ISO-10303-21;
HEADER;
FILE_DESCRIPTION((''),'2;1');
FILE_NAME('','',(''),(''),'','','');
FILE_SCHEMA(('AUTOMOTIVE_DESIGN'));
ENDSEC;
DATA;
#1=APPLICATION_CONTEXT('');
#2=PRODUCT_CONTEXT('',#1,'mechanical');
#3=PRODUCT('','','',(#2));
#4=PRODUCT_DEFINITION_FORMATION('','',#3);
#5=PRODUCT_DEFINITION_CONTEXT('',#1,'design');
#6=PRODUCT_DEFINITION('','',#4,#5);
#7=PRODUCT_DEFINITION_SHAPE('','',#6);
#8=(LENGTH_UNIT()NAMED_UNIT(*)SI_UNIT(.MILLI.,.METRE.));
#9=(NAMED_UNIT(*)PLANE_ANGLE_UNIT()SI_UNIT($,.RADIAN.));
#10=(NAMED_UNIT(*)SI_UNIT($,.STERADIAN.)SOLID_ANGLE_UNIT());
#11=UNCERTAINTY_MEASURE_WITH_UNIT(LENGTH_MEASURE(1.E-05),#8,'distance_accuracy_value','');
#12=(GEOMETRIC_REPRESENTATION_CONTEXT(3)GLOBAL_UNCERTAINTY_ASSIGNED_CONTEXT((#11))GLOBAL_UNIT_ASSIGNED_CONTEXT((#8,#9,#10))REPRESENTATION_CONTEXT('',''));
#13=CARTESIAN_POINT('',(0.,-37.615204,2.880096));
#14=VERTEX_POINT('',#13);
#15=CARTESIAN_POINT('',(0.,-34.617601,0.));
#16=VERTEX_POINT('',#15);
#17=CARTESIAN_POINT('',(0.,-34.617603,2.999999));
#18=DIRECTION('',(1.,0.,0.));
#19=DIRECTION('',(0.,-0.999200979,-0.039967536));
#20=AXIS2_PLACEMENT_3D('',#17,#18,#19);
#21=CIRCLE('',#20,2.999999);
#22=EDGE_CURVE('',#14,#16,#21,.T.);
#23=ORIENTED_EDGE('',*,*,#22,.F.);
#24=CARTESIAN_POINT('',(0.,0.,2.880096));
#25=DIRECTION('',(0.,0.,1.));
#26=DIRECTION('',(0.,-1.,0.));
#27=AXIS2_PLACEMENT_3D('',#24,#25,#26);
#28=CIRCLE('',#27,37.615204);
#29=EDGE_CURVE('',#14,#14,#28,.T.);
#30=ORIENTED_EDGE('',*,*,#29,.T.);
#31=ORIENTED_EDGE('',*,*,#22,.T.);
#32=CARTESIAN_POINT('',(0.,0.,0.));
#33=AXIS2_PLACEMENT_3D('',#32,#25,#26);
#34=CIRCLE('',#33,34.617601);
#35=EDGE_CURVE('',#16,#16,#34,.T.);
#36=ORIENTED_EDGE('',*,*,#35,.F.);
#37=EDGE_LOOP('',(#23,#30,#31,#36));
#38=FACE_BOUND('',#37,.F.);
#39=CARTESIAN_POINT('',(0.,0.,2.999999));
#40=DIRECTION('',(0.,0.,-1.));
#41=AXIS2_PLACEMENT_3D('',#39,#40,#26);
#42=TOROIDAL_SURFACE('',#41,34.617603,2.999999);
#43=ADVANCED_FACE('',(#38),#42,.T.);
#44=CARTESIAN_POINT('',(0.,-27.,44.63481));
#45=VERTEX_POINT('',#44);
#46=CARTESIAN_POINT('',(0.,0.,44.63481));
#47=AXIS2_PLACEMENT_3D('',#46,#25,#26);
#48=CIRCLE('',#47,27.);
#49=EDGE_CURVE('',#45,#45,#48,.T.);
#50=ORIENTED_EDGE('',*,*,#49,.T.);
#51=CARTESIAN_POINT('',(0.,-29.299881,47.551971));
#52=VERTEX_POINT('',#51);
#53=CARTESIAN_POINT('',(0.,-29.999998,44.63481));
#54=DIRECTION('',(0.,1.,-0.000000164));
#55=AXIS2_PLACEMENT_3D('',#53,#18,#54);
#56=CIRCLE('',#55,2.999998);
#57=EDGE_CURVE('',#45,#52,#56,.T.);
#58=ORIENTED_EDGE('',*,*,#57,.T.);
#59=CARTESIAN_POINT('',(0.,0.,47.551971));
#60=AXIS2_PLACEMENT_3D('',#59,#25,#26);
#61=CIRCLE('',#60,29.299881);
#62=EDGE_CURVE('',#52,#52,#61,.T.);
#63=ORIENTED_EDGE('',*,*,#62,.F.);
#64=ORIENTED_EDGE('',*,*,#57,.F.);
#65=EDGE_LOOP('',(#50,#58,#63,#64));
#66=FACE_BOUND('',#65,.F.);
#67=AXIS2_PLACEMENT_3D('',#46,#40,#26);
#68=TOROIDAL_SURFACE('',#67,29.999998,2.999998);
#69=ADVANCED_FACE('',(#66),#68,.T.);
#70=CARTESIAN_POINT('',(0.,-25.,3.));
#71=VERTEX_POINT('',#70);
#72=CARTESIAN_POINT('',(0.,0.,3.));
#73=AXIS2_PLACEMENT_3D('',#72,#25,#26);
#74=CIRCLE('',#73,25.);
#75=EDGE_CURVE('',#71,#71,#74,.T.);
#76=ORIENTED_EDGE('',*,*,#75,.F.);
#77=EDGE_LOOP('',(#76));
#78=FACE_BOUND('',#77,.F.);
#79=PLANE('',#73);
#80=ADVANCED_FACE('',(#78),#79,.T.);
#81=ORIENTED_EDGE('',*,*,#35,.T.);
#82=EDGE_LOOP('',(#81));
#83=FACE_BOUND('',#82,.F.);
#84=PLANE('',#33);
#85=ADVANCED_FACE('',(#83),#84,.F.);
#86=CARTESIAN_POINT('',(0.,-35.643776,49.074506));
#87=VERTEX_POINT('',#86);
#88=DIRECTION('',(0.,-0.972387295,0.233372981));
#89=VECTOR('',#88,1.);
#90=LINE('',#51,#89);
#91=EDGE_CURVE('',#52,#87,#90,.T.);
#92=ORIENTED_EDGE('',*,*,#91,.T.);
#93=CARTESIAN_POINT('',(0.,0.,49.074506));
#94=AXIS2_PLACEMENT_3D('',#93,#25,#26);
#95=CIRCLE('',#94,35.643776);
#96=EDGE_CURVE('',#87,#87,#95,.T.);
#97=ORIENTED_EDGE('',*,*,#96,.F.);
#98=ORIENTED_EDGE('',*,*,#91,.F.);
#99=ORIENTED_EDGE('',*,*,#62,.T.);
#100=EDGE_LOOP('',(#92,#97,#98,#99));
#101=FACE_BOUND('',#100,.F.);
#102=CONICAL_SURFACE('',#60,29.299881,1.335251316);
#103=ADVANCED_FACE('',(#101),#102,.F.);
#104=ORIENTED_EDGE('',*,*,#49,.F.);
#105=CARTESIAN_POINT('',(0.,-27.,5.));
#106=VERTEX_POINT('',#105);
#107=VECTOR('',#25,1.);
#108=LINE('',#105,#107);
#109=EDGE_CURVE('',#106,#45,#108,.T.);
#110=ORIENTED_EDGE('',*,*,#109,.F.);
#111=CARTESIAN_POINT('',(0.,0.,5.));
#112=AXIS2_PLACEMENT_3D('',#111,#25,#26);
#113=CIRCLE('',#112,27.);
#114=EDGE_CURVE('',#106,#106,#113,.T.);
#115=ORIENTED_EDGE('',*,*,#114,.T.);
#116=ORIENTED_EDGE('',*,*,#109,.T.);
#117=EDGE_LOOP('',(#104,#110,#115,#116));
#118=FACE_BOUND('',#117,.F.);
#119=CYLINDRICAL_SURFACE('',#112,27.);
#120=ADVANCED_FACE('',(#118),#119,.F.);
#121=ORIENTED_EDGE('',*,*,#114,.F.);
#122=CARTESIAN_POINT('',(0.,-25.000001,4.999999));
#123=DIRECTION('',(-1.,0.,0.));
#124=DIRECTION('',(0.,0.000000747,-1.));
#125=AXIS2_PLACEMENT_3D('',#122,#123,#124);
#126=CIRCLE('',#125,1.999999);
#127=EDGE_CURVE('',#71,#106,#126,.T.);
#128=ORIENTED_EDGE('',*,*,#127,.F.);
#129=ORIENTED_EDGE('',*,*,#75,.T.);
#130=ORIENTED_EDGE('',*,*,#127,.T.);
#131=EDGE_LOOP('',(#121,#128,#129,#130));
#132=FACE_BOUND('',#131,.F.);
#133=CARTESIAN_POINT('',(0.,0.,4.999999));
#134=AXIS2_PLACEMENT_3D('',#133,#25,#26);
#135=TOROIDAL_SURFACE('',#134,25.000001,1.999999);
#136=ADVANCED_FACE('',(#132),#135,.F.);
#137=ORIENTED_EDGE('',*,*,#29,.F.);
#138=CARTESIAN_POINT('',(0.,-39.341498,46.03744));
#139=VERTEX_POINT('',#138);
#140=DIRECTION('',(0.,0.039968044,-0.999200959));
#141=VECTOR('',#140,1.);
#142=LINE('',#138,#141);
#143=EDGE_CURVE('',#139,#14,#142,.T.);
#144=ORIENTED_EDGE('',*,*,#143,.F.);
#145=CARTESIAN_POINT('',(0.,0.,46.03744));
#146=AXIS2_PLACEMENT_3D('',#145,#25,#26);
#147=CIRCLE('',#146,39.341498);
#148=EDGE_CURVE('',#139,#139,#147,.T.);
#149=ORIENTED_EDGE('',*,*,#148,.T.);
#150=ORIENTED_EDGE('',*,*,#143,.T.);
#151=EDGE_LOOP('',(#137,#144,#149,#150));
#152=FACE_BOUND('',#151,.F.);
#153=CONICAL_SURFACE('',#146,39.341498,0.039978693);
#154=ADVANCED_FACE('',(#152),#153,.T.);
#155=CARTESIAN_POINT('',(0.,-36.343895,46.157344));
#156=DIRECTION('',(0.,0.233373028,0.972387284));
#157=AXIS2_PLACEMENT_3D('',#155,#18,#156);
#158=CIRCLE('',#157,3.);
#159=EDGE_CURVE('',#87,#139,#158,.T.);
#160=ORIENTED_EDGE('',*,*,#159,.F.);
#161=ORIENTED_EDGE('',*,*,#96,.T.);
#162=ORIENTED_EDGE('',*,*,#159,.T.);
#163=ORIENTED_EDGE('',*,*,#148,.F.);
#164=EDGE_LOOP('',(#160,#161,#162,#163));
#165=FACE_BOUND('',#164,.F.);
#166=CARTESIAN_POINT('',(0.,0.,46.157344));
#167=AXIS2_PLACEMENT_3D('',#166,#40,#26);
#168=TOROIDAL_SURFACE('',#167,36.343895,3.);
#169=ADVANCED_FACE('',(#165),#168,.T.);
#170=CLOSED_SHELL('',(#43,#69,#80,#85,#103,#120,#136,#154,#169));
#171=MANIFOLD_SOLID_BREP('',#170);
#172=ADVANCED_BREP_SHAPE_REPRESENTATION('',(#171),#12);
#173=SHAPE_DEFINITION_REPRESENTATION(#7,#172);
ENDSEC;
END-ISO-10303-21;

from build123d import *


with BuildPart() as f1:
    # F0 (on Right) → F1 (revolve)
    with BuildSketch(Plane.YZ):
        with BuildLine():
            ThreePointArc((-35.643776, 49.074506), (-38.247983, 48.47563), (-39.341498, 46.03744))
            Line((-39.341498, 46.03744), (-37.615204, 2.880096))
            ThreePointArc((-37.615204, 2.880096), (-36.696097, 0.836702), (-34.617601, 0))
            Line((-34.617601, 0), (0, 0))
            Line((0, 0), (0, 3))
            Line((0, 3), (-25, 3))
            ThreePointArc((-25, 3), (-26.414214, 3.585786), (-27, 5))
            Line((-27, 5), (-27, 44.63481))
            ThreePointArc((-27, 44.63481), (-27.644118, 46.492179), (-29.299881, 47.551971))
            Line((-29.299881, 47.551971), (-35.643776, 49.074506))
        make_face()
    revolve(axis=Axis((0, 0, 1.5), (0, 0, 1)))


solid = f1.part
